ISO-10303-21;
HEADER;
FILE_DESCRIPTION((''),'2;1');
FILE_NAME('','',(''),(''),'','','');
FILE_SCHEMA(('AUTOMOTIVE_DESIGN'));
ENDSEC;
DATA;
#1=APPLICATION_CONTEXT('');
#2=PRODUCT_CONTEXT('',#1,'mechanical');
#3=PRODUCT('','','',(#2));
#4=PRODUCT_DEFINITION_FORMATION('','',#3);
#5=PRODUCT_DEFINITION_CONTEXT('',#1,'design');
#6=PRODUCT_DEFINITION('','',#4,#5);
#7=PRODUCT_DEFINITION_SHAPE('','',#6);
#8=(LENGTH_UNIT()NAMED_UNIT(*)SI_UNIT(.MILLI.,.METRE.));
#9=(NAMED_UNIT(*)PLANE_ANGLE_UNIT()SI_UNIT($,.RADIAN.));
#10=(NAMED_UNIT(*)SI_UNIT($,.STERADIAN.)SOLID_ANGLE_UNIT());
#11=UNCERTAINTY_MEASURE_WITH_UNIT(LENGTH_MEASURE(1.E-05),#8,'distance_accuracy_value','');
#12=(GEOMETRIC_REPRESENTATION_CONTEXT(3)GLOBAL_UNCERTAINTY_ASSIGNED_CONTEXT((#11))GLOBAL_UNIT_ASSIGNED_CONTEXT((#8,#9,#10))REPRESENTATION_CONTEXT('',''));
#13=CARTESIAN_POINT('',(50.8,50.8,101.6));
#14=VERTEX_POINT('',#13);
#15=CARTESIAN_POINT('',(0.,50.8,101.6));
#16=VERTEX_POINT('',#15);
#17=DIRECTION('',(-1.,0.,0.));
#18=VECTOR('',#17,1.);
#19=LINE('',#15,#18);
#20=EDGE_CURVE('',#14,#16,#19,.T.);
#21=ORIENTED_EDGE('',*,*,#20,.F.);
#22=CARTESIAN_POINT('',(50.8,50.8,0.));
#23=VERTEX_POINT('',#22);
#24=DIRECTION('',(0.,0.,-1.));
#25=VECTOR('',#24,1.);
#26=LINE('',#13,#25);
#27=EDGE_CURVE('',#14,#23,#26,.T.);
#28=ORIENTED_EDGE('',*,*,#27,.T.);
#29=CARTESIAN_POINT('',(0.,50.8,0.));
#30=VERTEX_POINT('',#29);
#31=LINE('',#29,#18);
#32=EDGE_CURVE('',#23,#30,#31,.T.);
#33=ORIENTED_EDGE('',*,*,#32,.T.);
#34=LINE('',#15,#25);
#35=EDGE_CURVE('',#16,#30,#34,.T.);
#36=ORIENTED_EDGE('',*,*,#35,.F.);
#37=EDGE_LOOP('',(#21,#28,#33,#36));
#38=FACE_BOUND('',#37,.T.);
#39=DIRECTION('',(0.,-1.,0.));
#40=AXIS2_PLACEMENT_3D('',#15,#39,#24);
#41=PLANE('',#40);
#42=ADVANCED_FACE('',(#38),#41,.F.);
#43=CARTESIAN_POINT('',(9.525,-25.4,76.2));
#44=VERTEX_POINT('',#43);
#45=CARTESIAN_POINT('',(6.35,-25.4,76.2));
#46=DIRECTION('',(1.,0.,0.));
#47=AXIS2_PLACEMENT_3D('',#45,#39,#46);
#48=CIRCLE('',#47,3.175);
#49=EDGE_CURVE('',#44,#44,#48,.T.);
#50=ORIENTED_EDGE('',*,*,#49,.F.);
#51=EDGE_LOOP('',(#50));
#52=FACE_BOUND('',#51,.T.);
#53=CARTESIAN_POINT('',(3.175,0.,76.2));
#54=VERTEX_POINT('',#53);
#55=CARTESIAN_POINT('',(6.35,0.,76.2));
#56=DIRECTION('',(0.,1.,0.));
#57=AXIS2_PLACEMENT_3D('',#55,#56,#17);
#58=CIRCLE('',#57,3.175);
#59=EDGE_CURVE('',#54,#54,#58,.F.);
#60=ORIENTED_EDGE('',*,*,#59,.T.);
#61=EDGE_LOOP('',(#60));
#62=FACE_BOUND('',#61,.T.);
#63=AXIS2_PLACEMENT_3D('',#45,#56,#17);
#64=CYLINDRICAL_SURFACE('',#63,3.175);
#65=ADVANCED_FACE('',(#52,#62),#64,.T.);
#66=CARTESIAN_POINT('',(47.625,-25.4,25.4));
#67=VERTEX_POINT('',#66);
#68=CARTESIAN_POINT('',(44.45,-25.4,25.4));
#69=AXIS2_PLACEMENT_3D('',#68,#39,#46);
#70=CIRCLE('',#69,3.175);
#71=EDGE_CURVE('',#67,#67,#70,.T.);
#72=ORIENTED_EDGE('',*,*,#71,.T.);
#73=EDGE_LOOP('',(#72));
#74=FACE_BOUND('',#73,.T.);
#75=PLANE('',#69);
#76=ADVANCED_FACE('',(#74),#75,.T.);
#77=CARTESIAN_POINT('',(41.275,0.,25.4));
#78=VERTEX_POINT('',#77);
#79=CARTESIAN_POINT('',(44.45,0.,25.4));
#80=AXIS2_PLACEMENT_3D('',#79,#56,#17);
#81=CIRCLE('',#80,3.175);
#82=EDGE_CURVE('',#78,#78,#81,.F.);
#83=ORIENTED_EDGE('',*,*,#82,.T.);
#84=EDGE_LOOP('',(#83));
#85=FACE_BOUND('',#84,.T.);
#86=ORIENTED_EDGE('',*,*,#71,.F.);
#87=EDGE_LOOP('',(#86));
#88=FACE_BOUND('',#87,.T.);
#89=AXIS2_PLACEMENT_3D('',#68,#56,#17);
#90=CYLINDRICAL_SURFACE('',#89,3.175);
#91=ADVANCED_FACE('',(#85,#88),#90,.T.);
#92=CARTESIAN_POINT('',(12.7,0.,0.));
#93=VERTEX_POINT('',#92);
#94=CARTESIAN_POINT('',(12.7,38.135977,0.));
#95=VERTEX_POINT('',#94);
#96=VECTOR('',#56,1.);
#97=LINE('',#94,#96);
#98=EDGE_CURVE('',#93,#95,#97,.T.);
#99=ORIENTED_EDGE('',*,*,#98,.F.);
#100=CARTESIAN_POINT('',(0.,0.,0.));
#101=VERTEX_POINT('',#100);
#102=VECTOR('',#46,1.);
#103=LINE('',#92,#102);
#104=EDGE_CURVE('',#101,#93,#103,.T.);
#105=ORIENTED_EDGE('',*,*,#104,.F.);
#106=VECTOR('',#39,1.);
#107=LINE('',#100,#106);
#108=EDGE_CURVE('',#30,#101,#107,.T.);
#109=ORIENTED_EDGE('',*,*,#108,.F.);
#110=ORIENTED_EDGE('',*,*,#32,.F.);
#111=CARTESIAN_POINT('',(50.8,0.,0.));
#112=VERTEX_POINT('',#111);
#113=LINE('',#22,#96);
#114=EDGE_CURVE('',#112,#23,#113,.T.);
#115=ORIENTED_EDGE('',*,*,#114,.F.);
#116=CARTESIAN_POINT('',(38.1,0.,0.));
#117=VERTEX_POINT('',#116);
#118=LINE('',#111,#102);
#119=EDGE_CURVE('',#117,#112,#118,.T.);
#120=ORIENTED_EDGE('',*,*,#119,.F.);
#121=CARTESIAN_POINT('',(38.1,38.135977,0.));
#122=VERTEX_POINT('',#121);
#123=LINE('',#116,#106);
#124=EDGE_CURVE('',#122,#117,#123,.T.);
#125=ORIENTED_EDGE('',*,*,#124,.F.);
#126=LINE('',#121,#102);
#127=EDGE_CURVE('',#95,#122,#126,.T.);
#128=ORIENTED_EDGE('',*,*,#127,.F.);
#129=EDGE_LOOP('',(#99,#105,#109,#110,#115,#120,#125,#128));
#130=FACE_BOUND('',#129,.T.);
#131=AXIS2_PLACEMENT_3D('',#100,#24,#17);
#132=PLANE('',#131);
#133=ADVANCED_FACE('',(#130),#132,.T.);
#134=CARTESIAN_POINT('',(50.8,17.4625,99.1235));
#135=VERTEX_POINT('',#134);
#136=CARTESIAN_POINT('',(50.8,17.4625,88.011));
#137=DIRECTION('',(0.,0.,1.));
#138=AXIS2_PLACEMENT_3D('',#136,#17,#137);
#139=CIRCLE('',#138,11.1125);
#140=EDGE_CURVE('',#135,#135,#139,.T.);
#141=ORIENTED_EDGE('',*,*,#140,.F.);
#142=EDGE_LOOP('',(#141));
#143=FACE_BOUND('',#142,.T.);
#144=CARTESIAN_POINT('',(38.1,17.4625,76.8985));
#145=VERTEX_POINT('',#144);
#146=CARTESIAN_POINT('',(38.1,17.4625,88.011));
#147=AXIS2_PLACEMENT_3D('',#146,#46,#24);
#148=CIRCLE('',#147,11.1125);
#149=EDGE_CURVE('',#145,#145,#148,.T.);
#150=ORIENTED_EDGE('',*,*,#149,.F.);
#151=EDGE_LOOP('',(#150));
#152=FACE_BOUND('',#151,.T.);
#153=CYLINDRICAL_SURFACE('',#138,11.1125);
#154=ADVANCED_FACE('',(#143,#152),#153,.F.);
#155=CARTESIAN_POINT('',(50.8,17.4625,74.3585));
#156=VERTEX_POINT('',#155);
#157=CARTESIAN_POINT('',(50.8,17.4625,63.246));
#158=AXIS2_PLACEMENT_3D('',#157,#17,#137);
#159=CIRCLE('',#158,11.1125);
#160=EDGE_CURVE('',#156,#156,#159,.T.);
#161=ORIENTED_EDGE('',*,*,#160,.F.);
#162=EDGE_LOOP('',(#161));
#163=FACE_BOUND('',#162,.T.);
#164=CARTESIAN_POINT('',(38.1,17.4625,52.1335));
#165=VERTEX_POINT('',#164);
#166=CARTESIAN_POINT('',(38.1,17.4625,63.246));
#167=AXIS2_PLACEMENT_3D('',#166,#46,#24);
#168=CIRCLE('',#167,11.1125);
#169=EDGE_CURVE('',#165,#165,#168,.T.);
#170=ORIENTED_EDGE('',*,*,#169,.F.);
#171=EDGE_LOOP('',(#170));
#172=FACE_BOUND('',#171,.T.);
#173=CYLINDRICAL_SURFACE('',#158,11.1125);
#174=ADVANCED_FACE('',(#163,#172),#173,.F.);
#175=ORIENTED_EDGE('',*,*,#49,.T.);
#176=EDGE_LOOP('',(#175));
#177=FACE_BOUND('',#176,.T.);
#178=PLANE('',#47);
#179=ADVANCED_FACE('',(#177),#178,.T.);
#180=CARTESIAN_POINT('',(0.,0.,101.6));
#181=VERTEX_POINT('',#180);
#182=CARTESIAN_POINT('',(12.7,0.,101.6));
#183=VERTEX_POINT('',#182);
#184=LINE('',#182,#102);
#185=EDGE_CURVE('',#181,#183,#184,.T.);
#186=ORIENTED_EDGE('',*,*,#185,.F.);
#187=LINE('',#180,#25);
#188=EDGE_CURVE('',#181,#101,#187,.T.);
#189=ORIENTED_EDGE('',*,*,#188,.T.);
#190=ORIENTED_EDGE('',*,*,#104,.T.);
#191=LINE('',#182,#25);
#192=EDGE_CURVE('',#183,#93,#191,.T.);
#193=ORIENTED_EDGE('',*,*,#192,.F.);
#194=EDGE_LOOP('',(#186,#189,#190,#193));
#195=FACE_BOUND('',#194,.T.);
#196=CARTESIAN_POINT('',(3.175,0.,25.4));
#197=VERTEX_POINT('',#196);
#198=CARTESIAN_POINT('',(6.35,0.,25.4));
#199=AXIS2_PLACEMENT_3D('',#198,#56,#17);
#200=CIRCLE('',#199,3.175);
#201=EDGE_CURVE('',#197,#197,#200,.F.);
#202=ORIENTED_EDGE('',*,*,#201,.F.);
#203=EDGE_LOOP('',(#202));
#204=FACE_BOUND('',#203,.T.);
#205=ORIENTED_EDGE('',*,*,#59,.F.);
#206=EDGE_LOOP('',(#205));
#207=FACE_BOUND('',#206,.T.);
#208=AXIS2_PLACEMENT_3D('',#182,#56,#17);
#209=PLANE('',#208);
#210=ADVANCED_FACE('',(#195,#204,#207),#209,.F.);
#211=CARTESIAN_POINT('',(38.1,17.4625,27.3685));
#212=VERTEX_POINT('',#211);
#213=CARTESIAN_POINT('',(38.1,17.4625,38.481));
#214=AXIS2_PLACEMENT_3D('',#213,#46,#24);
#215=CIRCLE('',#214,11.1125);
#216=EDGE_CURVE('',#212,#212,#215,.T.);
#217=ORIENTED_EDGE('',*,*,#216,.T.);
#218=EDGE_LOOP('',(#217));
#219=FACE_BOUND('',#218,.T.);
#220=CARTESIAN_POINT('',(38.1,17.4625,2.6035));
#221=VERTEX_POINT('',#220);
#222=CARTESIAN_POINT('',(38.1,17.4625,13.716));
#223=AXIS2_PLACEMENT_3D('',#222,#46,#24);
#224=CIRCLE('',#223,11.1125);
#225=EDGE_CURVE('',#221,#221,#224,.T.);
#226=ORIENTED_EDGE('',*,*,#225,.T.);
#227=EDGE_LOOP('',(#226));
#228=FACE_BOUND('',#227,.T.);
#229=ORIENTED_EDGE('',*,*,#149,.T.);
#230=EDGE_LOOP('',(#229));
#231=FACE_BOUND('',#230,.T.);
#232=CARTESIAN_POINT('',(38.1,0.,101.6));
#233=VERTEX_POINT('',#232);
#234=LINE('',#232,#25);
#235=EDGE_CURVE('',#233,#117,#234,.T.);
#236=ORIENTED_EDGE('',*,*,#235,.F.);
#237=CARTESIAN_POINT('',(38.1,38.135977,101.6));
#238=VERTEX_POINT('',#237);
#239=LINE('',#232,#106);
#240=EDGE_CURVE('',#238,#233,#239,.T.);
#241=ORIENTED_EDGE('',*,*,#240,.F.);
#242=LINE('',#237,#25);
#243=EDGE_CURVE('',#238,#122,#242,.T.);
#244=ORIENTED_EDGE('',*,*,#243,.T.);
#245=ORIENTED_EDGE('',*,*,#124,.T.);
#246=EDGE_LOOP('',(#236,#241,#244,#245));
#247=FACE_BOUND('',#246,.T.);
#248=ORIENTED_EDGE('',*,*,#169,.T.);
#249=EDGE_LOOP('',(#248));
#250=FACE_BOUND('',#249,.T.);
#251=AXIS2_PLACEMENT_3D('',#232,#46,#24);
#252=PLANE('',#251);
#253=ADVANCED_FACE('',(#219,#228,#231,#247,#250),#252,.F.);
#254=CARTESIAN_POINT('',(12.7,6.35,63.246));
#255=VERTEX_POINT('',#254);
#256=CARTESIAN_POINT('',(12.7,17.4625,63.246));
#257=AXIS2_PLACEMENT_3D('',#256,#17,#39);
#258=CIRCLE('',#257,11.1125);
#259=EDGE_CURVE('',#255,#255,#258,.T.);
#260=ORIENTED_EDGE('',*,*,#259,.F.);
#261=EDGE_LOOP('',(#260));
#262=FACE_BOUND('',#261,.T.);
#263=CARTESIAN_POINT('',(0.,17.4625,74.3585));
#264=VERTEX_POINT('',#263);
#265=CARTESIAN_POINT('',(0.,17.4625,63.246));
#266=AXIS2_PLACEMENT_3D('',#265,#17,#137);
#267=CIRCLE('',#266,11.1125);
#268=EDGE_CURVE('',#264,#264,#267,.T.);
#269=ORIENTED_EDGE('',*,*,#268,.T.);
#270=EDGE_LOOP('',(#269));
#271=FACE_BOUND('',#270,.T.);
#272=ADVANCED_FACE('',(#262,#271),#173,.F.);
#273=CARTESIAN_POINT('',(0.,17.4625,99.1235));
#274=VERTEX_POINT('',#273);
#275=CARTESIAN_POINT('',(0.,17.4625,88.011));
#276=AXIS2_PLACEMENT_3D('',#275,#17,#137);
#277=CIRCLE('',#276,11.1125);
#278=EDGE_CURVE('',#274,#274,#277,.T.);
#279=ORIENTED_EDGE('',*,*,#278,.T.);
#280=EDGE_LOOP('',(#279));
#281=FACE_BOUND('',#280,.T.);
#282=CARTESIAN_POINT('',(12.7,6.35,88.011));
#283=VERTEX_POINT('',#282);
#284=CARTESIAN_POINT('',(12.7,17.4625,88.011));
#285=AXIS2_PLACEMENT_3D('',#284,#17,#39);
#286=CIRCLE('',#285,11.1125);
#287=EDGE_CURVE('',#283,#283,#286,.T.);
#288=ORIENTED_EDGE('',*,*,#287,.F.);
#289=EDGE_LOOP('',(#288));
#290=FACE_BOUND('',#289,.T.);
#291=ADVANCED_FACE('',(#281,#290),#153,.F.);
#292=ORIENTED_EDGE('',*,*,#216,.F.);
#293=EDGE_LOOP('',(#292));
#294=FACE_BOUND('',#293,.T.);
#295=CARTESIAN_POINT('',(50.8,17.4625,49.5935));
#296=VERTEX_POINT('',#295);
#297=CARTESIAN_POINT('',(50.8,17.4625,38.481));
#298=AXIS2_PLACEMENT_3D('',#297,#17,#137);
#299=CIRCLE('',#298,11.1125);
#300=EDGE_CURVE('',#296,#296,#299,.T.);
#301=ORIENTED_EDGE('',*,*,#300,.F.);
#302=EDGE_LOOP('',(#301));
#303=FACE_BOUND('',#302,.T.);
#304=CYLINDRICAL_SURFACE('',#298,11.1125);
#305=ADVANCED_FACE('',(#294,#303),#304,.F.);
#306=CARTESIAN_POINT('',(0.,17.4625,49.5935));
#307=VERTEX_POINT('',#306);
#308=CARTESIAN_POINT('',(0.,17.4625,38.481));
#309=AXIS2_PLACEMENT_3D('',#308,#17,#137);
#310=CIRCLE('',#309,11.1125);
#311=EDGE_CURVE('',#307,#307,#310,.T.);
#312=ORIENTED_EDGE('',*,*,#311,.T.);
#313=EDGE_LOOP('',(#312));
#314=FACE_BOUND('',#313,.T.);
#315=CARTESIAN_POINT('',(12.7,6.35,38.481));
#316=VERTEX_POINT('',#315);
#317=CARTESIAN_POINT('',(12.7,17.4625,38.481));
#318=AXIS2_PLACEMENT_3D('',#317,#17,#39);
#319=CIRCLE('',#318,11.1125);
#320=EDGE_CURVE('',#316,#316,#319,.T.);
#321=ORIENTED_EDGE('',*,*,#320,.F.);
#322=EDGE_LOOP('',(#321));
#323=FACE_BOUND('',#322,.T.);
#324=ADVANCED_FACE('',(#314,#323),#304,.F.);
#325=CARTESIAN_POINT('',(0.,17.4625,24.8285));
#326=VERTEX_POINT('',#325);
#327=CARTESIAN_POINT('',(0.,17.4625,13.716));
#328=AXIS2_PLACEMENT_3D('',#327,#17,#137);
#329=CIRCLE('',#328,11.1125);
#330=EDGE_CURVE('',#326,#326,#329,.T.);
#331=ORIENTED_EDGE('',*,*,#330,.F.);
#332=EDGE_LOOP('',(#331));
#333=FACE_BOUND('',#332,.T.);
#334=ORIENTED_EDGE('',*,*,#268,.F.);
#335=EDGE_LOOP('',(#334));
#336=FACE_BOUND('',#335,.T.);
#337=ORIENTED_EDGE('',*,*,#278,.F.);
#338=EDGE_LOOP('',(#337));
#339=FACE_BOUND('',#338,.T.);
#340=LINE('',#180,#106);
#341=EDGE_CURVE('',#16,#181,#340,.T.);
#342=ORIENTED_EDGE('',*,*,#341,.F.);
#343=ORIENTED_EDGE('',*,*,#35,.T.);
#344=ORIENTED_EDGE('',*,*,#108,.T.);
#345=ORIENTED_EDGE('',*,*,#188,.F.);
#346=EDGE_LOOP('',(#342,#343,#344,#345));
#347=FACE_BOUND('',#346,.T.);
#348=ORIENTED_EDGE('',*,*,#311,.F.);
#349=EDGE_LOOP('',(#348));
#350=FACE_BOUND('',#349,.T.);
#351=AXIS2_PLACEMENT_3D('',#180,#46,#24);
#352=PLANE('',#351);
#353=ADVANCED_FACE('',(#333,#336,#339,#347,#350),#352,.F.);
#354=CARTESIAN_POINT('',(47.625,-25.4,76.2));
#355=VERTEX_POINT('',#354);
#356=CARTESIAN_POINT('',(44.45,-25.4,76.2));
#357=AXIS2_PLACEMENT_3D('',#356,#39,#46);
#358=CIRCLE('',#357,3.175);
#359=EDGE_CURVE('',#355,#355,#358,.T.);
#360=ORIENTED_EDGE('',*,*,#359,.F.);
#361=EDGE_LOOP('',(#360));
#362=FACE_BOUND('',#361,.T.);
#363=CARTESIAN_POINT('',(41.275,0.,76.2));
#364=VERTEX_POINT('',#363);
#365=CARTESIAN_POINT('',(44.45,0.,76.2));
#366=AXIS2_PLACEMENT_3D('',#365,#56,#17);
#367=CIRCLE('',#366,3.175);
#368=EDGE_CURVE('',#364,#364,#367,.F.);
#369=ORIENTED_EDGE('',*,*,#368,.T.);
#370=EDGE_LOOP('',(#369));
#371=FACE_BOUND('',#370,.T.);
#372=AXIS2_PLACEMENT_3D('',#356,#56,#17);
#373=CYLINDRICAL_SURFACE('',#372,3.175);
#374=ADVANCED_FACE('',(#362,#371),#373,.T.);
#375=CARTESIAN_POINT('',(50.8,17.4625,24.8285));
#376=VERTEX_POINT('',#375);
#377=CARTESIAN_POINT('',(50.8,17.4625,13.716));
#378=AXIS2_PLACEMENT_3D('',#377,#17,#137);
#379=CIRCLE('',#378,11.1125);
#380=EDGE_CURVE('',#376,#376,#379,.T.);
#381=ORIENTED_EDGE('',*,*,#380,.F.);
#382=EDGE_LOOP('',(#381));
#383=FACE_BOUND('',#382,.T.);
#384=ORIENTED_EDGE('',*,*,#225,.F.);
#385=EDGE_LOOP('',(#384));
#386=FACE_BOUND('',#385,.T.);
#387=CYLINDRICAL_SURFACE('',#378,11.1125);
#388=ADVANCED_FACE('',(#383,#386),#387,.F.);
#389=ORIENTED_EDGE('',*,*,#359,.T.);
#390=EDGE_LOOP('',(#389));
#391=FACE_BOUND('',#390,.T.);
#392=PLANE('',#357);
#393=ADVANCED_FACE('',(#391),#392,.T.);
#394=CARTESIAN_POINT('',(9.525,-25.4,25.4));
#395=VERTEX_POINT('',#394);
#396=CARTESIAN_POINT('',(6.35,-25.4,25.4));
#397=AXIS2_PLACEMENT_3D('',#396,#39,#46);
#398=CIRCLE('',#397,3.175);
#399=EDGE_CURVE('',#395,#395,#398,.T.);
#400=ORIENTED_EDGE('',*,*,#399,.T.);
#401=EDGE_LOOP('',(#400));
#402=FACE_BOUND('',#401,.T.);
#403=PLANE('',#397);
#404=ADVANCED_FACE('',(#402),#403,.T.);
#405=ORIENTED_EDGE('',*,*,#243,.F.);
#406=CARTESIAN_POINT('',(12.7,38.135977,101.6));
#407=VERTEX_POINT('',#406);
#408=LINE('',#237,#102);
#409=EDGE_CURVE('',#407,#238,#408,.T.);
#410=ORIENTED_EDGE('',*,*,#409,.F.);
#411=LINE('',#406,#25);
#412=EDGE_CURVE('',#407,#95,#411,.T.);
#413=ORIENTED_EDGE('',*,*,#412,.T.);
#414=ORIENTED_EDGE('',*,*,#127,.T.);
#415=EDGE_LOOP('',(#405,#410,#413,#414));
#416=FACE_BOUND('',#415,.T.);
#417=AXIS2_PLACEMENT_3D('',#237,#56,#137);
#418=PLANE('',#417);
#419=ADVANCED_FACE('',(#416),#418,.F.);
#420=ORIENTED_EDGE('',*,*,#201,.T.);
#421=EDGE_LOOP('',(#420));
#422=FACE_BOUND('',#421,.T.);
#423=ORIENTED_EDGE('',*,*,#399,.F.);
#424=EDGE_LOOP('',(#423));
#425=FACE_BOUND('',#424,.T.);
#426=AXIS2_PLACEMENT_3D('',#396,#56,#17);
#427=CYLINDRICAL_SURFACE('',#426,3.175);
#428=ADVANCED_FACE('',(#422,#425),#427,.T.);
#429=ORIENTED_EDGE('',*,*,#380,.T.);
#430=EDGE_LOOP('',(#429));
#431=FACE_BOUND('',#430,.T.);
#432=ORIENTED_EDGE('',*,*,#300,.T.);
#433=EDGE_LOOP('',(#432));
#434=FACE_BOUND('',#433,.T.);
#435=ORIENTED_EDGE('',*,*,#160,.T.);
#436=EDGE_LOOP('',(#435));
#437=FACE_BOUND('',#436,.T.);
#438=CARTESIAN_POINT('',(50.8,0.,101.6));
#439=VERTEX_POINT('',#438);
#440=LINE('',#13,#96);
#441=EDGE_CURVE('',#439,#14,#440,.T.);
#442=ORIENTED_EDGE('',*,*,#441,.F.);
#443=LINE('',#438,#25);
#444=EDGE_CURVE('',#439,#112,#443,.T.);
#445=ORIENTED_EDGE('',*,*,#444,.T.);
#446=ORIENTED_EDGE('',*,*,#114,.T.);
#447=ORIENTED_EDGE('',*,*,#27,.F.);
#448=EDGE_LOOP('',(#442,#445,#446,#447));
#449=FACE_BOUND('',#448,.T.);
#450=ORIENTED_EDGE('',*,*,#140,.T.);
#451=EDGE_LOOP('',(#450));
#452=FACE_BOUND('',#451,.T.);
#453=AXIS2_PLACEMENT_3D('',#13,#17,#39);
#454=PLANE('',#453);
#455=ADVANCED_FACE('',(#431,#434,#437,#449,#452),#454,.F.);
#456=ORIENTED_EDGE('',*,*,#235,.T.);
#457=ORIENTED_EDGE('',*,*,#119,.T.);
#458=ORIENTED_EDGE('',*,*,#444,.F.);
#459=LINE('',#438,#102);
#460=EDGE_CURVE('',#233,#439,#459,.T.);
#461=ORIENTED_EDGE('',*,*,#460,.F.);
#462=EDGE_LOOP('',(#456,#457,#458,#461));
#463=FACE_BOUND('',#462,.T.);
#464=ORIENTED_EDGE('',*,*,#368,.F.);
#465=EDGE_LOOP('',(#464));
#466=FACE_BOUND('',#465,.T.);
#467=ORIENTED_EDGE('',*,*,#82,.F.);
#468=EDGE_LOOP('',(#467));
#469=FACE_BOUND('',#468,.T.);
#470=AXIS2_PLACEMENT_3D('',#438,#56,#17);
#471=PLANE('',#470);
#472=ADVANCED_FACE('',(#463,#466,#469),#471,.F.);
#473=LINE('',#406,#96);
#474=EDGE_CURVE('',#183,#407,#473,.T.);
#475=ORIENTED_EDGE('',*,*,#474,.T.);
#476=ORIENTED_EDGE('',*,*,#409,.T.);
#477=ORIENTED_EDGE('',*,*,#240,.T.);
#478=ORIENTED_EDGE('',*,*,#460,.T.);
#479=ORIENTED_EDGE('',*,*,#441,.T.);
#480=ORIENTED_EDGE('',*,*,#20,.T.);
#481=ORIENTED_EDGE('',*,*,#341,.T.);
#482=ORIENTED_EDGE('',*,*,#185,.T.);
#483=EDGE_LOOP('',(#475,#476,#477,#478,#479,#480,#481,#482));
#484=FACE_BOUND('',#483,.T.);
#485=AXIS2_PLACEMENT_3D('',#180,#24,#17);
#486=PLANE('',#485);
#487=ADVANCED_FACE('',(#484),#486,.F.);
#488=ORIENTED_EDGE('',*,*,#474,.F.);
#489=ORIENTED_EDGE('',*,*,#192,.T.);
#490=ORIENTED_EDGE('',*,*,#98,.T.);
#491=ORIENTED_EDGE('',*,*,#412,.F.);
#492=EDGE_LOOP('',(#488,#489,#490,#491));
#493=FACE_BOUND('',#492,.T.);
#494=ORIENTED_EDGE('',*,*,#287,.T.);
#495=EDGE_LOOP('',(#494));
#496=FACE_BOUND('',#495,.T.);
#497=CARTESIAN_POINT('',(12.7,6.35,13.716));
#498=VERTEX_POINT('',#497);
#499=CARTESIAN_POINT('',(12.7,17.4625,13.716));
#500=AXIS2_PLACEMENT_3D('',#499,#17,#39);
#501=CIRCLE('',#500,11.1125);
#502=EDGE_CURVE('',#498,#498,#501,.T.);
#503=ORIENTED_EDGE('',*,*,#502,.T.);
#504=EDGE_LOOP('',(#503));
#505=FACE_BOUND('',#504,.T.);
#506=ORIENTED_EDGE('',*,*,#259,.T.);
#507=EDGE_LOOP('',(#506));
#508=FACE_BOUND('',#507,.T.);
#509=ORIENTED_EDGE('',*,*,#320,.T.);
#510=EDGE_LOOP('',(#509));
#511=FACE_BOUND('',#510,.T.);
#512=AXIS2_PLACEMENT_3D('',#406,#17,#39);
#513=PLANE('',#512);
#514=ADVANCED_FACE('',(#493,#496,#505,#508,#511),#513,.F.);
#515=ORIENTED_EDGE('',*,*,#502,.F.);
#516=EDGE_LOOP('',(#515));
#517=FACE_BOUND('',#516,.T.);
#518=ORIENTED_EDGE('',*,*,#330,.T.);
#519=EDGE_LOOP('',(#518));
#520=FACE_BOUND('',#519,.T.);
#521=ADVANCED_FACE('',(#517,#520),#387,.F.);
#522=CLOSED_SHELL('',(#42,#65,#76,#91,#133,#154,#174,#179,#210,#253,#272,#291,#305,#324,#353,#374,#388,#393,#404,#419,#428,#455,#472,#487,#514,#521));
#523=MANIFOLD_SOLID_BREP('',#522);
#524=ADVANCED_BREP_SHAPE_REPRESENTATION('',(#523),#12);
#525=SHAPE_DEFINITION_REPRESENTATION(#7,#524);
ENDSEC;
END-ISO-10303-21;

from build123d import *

# Parameters (mm, degrees)
BOSS_EXTRUDE1_DEPTH = 101.6
SKETCH5_R           = 11.1125
CUT_EXTRUDE1_DEPTH  = 125.434078933
SKETCH6_R           = 3.175
BOSS_EXTRUDE3_DEPTH = 25.4


with BuildPart() as part:
    # Sketch4 → Boss-Extrude1 (new body)
    with BuildSketch(Plane.XY):
        Polygon((0, 0), (0, 50.8), (50.8, 50.8), (50.8, 0), (38.1, 0), (38.1, 38.135977337), (12.7, 38.135977337), (12.7, 0), align=None)
    extrude(amount=BOSS_EXTRUDE1_DEPTH)

    # Sketch5 → Cut-Extrude1 (cut, through all)
    with BuildSketch(Plane.ZY):
        with Locations((13.716, 17.4625)):
            Circle(SKETCH5_R)
        with Locations((38.481, 17.4625)):
            Circle(SKETCH5_R)
        with Locations((63.246, 17.4625)):
            Circle(SKETCH5_R)
        with Locations((88.011, 17.4625)):
            Circle(SKETCH5_R)
    extrude(amount=-CUT_EXTRUDE1_DEPTH, mode=Mode.SUBTRACT)

    # Sketch6 → Boss-Extrude3 (add)
    with BuildSketch(Plane.XZ):
        with Locations(Location((6.35, 25.4, 0), (0, 0, 180))):
            Circle(SKETCH6_R)
        with Locations(Location((6.35, 76.2, 0), (0, 0, 180))):
            Circle(SKETCH6_R)
        with Locations(Location((44.45, 76.2, 0), (0, 0, 180))):
            Circle(SKETCH6_R)
        with Locations(Location((44.45, 25.4, 0), (0, 0, 180))):
            Circle(SKETCH6_R)
    extrude(amount=BOSS_EXTRUDE3_DEPTH)


solid = part.part
